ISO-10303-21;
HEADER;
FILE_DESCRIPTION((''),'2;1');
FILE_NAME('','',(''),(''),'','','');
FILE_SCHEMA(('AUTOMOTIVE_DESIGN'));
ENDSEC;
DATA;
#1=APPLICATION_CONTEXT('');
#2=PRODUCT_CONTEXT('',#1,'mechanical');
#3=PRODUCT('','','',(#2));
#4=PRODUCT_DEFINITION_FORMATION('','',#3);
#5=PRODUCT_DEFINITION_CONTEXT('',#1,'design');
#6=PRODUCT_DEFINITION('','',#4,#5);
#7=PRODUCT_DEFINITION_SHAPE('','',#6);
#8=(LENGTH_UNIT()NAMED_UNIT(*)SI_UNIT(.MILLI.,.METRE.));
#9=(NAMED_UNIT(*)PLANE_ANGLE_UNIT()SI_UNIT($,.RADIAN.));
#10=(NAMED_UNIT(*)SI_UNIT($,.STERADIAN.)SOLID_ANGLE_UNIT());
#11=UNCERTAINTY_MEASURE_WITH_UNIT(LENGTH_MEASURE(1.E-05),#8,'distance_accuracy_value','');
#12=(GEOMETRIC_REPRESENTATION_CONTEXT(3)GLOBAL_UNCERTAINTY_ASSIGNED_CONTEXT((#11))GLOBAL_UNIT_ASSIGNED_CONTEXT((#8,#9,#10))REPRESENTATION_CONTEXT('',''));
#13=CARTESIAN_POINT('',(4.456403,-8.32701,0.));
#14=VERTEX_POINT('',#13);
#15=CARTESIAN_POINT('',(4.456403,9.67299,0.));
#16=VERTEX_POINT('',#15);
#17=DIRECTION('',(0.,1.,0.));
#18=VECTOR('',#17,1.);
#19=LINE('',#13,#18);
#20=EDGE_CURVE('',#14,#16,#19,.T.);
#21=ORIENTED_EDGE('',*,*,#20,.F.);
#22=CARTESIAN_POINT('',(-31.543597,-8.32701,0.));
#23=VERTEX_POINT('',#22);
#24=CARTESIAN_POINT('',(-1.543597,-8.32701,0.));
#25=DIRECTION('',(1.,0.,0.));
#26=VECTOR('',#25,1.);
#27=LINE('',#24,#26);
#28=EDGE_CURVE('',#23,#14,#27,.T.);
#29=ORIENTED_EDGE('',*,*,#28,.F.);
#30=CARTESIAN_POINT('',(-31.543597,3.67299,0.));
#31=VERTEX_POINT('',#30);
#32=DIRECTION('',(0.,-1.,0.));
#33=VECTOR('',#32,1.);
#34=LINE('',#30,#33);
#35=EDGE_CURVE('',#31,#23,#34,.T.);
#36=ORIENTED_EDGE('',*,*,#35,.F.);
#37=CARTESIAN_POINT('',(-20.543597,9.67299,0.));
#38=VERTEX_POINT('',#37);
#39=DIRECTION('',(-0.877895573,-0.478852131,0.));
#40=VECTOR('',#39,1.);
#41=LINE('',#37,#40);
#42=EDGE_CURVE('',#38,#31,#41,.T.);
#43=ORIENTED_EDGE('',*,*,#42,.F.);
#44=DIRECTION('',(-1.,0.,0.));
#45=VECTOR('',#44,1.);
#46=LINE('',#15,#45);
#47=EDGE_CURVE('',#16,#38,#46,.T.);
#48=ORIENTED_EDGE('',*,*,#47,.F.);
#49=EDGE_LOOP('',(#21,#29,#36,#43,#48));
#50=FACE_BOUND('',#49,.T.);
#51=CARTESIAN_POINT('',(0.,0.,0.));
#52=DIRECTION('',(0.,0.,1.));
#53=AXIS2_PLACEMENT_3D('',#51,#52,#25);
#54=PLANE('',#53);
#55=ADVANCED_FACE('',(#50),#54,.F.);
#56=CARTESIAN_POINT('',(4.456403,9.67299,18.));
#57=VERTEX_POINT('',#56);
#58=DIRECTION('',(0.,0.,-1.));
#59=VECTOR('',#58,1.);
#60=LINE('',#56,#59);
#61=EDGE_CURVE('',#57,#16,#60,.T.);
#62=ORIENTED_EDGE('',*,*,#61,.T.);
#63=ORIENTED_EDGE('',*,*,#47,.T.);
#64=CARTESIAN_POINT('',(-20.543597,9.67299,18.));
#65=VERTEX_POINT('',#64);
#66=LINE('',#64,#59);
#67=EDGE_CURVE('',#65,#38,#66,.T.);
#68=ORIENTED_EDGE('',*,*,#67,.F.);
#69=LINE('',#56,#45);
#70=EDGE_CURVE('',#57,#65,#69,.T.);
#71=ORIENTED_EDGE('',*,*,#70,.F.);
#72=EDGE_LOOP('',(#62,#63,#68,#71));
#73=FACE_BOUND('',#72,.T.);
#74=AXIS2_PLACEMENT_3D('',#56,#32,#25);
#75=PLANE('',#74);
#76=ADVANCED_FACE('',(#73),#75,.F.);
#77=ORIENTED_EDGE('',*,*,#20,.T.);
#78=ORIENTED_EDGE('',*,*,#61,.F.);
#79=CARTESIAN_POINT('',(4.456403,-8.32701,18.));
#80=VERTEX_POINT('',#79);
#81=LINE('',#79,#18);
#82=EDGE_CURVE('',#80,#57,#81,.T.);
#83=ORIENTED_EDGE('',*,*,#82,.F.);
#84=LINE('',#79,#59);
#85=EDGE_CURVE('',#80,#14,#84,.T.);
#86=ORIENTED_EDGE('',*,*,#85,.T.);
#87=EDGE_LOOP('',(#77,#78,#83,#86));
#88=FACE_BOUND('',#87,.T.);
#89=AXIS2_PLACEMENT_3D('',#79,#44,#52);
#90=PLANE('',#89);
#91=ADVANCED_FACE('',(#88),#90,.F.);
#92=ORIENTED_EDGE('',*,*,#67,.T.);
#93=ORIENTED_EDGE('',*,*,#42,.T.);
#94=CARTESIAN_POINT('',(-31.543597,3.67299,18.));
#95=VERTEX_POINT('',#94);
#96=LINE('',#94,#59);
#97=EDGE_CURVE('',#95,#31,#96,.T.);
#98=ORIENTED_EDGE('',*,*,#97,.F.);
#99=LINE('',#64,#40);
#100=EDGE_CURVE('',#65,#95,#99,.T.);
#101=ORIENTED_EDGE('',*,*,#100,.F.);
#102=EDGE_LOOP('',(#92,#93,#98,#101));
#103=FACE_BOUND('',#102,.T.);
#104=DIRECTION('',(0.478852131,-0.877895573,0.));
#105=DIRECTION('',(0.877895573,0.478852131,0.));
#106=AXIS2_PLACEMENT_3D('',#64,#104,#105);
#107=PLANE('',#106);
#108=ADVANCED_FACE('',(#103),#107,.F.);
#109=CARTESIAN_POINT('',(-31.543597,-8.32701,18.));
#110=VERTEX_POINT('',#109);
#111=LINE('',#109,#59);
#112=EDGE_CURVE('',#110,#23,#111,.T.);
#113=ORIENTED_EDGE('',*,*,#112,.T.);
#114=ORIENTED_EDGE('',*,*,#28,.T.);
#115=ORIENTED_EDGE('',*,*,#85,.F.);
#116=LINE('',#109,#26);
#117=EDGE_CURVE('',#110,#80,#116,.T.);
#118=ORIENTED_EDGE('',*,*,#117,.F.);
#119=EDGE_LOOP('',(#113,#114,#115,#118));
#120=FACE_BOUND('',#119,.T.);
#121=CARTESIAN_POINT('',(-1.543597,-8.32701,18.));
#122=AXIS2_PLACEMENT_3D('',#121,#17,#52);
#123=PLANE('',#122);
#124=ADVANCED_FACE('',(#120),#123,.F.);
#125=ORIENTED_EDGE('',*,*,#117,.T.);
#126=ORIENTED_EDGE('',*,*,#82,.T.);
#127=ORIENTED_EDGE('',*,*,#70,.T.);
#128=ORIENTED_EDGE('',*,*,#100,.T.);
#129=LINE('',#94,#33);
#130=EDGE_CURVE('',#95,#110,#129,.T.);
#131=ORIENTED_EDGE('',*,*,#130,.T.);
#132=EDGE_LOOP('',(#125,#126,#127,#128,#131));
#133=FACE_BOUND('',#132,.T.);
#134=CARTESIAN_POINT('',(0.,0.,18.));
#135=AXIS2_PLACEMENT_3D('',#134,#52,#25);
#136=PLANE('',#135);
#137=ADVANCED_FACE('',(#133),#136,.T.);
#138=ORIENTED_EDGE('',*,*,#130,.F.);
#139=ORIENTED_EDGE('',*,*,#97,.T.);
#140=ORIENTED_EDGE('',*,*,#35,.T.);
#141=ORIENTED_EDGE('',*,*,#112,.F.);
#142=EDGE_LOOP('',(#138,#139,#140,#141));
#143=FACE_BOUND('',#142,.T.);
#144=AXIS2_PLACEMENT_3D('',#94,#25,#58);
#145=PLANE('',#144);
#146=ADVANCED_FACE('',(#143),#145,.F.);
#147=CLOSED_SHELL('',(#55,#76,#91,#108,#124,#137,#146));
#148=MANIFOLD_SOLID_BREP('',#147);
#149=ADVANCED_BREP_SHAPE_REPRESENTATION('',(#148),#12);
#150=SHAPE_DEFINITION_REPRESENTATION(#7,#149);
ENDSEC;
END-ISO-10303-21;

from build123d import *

# Parameters (mm, degrees)
EXTRUDE_1_DEPTH = 18


with BuildPart() as part:
    # 草图1 → 凸台-拉伸1 (new body)
    with BuildSketch(Plane.XY):
        Polygon((-31.543597346, 3.672989534), (-31.543597346, -8.327010466), (-1.543597346, -8.327010466), (4.456402654, -8.327010466), (4.456402654, 9.672989534), (-20.543597346, 9.672989534), align=None)
    extrude(amount=EXTRUDE_1_DEPTH)


solid = part.part
